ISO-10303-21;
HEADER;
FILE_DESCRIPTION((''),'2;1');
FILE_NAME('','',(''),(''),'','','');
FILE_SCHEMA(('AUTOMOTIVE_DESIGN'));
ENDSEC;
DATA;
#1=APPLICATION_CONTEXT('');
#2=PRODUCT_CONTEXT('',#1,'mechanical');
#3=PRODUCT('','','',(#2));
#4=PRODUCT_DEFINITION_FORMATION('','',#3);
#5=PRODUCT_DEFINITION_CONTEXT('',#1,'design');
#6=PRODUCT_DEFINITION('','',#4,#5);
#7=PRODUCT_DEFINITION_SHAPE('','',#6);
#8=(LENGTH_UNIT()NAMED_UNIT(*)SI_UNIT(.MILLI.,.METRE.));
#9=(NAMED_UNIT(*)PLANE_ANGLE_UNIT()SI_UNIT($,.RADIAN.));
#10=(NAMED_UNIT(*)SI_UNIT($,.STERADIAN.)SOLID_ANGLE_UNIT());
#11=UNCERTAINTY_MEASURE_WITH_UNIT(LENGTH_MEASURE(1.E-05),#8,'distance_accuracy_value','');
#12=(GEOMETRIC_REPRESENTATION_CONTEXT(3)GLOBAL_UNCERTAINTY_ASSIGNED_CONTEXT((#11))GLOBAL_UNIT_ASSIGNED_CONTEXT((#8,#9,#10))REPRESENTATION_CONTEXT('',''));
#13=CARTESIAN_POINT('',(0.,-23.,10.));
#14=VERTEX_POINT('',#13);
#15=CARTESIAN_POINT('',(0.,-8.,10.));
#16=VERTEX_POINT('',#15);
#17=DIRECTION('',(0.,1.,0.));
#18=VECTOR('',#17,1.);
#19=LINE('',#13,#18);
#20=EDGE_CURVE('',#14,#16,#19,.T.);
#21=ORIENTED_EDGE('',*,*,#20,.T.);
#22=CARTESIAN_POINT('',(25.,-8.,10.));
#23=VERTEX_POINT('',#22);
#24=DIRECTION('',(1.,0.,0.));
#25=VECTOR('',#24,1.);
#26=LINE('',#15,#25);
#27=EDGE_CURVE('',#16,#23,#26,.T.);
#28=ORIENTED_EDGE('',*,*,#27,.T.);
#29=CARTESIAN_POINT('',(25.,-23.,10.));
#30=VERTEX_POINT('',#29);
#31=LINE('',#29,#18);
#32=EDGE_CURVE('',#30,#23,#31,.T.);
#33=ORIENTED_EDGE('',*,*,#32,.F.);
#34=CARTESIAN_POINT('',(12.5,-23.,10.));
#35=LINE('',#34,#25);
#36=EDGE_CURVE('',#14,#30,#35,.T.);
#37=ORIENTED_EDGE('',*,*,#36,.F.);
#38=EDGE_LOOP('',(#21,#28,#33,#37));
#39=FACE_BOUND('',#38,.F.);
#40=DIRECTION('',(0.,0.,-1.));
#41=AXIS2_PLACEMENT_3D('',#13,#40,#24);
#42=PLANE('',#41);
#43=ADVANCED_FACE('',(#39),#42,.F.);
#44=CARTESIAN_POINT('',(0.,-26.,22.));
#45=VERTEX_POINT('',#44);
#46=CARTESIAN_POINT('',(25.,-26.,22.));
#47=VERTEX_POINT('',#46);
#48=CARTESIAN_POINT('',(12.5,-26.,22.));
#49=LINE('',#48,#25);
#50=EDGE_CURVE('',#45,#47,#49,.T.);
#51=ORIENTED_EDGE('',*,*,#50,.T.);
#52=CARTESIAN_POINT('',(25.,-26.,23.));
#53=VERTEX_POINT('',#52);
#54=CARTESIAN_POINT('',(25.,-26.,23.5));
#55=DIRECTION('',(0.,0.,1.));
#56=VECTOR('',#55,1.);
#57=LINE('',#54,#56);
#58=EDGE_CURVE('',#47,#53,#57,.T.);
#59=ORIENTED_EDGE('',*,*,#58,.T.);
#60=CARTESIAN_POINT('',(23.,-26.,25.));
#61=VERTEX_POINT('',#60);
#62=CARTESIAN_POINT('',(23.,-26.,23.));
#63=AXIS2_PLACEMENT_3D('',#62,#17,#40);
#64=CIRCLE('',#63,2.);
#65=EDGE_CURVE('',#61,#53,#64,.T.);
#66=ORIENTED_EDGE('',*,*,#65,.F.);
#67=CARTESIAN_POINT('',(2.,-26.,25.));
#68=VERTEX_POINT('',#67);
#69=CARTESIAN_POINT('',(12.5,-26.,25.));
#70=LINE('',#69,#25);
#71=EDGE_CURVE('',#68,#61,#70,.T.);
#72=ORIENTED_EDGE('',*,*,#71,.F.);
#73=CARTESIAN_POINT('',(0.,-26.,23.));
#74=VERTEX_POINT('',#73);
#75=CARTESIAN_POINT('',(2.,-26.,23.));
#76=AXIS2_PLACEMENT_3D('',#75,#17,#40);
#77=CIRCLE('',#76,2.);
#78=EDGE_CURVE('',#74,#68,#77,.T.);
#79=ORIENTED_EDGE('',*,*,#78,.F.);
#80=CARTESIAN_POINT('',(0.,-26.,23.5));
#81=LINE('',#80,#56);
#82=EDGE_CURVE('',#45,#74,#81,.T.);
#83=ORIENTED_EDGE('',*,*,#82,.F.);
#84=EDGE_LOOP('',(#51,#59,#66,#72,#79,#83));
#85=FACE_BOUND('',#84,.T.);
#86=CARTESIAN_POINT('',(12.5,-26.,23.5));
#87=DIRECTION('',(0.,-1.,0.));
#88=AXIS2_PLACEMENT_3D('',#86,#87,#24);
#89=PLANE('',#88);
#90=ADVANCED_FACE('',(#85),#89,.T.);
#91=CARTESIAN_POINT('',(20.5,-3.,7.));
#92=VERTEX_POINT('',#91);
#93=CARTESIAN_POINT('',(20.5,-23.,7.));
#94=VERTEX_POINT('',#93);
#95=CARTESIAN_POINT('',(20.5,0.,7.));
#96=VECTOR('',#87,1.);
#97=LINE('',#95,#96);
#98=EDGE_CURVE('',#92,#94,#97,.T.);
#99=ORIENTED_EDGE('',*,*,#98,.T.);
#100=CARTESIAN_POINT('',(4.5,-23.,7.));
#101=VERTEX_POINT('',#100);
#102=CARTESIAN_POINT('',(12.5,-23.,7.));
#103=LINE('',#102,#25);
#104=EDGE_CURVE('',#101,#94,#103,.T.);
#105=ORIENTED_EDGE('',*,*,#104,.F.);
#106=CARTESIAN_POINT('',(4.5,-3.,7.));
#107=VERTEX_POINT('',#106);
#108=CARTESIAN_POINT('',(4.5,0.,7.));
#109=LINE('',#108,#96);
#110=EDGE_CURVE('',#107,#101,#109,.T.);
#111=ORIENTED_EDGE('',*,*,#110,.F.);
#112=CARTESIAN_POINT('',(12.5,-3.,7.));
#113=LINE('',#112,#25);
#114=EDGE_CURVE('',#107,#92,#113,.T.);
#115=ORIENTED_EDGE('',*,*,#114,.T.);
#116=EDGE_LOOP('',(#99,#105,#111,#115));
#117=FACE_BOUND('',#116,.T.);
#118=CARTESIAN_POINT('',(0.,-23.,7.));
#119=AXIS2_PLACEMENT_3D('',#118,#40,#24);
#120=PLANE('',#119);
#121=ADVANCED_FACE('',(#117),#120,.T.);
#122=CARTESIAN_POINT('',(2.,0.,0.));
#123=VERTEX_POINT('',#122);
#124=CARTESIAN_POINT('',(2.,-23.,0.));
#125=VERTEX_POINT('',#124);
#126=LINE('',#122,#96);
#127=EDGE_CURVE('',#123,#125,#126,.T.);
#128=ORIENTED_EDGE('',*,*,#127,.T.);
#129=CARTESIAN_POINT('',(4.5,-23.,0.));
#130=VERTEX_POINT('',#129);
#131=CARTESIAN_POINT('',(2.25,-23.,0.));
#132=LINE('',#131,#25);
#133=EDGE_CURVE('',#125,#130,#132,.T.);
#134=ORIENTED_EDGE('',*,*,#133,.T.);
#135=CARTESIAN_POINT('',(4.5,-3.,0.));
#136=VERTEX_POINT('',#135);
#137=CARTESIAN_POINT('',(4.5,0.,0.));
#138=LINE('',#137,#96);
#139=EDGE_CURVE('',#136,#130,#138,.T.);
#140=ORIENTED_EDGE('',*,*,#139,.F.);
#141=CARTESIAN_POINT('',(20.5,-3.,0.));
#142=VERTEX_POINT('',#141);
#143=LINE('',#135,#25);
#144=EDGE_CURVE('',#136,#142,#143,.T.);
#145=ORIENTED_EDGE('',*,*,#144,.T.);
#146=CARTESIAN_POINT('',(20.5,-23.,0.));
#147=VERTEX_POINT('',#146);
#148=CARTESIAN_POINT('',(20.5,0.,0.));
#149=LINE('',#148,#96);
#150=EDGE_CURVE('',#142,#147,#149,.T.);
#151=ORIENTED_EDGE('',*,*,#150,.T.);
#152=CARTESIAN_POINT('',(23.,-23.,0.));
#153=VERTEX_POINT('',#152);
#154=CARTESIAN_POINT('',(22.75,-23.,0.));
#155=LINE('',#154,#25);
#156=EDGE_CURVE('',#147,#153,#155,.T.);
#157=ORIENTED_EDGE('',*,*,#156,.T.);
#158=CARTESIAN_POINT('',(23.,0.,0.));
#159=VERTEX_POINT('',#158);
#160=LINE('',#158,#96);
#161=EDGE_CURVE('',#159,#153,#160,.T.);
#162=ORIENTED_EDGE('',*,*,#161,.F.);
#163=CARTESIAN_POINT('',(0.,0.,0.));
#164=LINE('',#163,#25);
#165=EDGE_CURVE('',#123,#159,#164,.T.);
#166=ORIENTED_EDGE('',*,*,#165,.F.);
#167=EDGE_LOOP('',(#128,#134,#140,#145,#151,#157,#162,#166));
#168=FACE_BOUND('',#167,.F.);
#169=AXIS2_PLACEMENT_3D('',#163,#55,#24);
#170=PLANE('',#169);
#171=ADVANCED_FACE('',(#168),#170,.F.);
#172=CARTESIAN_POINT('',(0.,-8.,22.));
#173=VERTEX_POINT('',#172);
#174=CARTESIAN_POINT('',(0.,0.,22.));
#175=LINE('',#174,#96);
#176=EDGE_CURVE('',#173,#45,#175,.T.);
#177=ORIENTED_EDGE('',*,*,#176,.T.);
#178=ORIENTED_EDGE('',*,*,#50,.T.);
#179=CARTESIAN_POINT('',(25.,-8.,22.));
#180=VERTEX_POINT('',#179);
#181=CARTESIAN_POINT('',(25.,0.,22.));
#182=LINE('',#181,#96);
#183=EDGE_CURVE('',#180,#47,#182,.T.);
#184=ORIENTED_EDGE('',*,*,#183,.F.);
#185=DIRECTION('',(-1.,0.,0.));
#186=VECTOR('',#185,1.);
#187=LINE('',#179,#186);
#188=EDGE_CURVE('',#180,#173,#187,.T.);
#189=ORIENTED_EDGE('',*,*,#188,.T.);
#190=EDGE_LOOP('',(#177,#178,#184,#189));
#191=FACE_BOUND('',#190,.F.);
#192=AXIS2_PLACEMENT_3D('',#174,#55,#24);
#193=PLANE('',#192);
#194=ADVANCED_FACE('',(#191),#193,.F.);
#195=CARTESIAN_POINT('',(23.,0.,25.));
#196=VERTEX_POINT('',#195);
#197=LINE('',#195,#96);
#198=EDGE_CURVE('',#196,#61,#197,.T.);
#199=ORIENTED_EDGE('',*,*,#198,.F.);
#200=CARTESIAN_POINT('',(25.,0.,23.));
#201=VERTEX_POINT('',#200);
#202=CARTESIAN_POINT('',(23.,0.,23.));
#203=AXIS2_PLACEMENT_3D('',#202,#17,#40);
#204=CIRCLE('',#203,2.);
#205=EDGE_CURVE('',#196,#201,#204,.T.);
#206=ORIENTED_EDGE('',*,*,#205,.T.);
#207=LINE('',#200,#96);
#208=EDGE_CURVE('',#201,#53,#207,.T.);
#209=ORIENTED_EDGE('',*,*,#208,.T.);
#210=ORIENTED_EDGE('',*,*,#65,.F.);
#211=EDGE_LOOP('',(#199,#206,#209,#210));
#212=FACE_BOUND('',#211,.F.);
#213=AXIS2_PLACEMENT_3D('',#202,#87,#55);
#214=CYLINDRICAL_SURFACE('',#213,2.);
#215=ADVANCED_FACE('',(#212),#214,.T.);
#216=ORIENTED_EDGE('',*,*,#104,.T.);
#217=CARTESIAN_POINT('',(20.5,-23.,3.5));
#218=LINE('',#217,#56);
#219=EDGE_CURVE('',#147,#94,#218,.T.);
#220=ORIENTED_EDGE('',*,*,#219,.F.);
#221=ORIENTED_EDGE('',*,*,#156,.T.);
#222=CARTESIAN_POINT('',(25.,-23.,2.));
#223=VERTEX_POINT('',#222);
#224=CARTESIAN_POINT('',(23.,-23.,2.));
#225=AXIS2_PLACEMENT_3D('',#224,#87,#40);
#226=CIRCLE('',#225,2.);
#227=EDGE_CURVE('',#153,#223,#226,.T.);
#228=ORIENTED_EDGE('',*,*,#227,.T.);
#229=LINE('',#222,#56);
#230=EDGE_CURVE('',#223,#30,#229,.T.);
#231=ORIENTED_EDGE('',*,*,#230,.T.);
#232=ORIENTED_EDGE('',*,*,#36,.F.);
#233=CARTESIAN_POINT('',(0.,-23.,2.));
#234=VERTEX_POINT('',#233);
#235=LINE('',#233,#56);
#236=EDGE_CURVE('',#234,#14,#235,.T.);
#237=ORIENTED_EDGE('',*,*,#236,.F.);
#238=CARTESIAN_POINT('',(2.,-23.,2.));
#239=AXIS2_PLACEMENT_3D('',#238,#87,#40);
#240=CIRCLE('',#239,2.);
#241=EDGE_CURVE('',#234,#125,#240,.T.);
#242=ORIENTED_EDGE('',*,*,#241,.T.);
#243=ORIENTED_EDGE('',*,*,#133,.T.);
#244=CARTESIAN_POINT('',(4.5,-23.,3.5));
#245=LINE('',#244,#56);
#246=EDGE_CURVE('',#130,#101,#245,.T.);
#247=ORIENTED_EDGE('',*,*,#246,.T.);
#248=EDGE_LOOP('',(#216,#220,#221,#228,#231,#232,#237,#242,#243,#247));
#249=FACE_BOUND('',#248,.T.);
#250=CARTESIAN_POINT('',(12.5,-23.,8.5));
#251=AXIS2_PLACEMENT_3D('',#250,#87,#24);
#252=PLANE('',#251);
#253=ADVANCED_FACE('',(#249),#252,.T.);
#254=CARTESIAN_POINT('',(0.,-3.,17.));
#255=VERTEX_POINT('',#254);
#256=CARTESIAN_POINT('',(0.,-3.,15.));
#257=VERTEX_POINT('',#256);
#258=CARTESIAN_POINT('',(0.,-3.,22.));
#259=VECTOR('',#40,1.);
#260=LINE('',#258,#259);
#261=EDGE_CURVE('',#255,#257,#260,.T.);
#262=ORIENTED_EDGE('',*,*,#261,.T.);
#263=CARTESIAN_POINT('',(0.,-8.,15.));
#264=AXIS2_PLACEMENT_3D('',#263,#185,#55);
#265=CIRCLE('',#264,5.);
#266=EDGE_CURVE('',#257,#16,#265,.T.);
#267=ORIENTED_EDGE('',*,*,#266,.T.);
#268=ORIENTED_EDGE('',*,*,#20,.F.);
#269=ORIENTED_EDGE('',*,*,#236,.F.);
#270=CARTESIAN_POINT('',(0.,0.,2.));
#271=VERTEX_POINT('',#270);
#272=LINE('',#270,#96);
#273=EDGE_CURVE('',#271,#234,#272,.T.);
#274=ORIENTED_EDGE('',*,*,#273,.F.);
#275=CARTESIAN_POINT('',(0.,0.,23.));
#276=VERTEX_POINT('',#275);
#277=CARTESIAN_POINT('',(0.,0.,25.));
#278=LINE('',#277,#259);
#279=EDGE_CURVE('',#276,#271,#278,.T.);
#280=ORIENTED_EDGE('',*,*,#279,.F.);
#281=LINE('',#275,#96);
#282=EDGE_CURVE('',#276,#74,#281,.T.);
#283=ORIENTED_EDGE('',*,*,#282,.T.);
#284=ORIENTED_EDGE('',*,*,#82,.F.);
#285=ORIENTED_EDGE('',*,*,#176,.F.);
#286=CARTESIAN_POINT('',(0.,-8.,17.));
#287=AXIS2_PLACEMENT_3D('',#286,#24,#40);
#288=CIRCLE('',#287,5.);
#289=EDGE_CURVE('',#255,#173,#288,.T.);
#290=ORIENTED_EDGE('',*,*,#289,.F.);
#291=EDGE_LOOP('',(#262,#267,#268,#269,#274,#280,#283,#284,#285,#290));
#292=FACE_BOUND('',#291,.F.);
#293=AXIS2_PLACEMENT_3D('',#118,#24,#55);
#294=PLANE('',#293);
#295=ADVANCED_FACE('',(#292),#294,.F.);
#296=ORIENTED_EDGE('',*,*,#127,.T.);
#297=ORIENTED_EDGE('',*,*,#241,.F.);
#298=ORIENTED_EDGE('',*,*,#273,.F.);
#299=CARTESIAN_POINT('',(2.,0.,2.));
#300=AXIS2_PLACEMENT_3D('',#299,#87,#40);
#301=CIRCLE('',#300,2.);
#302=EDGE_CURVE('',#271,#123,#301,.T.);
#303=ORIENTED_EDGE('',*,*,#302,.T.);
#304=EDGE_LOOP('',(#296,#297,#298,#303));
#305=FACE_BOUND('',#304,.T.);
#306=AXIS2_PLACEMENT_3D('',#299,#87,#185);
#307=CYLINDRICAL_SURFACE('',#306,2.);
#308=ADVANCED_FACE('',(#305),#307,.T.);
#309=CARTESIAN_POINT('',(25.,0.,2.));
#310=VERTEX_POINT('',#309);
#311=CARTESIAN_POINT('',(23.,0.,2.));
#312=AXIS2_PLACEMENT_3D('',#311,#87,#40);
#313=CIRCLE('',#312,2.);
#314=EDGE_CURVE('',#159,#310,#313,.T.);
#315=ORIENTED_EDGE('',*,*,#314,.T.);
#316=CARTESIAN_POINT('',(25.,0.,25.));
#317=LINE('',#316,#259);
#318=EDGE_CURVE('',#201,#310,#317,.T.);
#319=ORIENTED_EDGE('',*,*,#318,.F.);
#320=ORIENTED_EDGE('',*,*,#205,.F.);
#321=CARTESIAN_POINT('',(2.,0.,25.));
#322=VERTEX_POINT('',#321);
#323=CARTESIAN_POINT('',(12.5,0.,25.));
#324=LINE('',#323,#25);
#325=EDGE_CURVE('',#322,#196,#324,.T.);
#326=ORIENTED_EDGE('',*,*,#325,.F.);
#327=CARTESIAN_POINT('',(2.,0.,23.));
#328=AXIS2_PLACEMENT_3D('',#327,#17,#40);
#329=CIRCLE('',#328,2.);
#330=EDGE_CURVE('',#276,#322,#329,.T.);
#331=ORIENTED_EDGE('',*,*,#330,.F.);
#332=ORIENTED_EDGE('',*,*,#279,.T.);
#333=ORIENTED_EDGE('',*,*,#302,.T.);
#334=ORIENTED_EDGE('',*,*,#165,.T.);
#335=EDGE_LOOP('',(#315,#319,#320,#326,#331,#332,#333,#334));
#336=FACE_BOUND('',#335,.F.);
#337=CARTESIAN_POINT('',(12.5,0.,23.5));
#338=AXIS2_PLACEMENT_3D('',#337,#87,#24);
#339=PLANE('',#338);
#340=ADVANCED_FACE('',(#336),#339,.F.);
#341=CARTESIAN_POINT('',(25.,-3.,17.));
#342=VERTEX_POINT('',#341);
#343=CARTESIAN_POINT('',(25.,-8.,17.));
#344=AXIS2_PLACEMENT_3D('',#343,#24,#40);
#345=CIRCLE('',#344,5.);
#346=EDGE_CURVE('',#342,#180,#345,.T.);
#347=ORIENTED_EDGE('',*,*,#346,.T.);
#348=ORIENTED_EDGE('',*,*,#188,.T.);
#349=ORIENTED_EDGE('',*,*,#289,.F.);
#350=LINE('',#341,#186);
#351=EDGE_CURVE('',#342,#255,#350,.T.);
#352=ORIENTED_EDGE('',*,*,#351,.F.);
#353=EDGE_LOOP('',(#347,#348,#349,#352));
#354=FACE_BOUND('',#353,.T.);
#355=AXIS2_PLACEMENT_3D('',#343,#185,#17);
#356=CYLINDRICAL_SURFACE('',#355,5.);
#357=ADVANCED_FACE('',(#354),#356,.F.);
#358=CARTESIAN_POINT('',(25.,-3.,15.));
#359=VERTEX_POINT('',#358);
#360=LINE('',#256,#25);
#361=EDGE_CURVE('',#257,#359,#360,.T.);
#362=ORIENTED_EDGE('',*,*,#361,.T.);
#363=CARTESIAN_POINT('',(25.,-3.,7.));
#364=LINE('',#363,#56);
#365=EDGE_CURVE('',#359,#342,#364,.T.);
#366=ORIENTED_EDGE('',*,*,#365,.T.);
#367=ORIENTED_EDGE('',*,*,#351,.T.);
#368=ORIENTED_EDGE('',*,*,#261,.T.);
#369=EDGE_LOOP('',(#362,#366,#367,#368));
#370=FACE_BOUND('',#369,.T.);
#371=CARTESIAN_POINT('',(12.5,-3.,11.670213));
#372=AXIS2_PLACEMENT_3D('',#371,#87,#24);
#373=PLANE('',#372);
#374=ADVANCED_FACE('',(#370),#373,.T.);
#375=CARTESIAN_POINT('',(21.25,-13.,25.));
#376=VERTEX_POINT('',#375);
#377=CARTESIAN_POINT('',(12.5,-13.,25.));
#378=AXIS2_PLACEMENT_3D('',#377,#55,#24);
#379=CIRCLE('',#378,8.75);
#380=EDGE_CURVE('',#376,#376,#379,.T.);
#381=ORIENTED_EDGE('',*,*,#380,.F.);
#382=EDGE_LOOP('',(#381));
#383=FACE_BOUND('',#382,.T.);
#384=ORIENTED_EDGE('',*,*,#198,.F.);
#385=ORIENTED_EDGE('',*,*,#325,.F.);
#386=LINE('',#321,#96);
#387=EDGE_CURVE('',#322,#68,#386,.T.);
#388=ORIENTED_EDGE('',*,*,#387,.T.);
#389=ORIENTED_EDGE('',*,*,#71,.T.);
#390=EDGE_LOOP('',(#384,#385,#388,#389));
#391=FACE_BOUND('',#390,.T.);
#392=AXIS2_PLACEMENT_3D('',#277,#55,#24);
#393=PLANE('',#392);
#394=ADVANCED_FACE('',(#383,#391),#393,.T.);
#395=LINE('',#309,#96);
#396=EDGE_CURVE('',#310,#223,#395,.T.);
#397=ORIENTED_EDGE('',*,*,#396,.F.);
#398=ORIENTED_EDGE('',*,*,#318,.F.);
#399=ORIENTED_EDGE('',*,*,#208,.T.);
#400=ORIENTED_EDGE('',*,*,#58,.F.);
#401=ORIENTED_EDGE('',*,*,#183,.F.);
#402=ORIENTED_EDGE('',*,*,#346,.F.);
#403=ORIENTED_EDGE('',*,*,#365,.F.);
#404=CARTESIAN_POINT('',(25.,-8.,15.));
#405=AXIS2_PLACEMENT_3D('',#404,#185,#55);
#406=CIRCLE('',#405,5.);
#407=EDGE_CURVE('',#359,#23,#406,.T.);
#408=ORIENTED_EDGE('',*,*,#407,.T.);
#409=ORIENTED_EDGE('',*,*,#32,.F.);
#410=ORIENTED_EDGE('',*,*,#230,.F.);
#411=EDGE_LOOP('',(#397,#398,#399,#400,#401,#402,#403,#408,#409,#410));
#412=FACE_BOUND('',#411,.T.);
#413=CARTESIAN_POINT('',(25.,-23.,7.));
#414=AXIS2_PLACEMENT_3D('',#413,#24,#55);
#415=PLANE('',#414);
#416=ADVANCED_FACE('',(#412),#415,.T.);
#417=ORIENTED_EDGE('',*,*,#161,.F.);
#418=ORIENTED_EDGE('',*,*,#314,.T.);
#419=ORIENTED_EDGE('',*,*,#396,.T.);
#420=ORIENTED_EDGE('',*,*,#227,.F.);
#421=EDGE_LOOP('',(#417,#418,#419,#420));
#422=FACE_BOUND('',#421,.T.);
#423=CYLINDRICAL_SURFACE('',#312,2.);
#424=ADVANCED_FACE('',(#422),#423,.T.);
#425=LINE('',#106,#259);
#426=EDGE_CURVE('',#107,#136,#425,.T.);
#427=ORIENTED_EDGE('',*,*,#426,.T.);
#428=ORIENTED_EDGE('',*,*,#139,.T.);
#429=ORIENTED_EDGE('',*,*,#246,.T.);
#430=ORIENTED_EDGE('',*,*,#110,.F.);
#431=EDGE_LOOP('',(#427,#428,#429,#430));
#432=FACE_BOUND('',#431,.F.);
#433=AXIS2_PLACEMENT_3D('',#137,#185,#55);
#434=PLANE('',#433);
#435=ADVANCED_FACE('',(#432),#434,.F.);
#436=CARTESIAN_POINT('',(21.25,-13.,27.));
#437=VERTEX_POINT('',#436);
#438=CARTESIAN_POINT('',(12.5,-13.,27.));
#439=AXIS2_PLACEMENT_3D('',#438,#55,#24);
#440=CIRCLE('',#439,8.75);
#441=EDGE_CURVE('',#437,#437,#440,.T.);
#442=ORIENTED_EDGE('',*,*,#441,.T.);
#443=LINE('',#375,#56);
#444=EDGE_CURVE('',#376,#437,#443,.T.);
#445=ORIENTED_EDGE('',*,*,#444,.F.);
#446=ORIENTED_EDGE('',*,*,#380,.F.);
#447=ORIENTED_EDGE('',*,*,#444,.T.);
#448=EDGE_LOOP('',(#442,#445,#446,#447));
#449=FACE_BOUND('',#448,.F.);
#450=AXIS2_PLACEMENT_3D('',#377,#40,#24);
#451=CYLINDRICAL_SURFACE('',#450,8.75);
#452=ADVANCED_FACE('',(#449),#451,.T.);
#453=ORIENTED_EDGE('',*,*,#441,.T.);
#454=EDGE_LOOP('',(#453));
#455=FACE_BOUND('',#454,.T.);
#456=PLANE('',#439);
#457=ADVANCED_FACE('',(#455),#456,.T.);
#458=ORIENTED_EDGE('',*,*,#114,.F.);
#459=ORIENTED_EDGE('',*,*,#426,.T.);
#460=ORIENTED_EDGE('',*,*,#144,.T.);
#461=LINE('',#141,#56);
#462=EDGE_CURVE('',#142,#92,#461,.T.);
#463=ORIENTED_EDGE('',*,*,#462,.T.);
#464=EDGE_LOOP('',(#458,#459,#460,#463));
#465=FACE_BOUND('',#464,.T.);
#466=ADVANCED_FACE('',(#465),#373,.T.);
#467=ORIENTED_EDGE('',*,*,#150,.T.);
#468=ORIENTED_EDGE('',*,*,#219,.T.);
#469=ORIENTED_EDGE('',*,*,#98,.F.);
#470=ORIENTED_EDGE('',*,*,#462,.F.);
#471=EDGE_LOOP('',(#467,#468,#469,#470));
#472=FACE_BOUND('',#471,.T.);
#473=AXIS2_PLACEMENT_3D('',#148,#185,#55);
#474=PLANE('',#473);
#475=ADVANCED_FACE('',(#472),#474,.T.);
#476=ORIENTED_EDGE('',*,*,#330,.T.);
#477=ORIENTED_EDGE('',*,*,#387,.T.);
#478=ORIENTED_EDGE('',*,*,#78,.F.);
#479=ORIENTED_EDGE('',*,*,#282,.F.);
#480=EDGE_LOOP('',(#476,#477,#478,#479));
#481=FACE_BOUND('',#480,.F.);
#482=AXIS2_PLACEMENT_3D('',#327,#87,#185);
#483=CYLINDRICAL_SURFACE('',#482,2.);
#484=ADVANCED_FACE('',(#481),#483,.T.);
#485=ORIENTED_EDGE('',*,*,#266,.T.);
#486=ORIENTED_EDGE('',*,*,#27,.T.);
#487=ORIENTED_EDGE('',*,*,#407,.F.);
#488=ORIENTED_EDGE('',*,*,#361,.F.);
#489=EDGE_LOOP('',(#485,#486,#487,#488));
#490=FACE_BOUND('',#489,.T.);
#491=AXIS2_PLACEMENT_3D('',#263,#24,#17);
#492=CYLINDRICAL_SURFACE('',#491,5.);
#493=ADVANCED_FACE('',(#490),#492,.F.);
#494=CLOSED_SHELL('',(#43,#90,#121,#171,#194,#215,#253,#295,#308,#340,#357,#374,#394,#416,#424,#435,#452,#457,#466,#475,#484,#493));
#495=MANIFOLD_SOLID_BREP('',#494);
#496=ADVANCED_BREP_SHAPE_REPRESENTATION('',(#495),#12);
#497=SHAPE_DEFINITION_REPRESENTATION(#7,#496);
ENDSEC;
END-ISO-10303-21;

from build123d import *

# Parameters (mm, degrees)
F1_DEPTH = 3
F0_W     = 4.5
F0_H     = 7
F2_DEPTH = 23
F0_W_2   = 25
F0_H_2   = 3
F3_DEPTH = 26
F4_R     = 8.75
F5_DEPTH = 2
F6_R     = 2
F7_W     = 25
F7_H     = 3
F8_DEPTH = 20
F9_R     = 5


with BuildPart() as f1:
    # F0 (on Front) → F1 (new body)
    with BuildSketch(Plane.XZ):
        Polygon((4.5, 7), (4.5, 0), (20.5, 0), (20.5, 7), (25, 7), (25, 22), (0, 22), (0, 7), align=None)
    extrude(amount=F1_DEPTH)

    # F0 (on Front) → F2 (join)
    with BuildSketch(Plane.XZ):
        with Locations((2.25, 3.5)):
            Rectangle(F0_W, F0_H)
        with Locations((22.75, 3.5)):
            Rectangle(F0_W, F0_H)
    extrude(amount=F2_DEPTH)

    # F0 (on Front) → F3 (join)
    with BuildSketch(Plane.XZ):
        with Locations((12.5, 23.5)):
            Rectangle(F0_W_2, F0_H_2)
    extrude(amount=F3_DEPTH)

    # F4 (on face) → F5 (join)
    with BuildSketch(Plane.XY.offset(25)):
        with Locations((12.5, -13)):
            Circle(F4_R)
    extrude(amount=F5_DEPTH)

    # F6
    f6_edges = [f1.edges().sort_by_distance(p)[0] for p in [
        (0, -13, 25),
        (25, -13, 25),
        (0, -11.5, 0),
        (25, -11.5, 0),
    ]]
    fillet(f6_edges, radius=F6_R)

    # F7 (on face) → F8 (join, through all)
    with BuildSketch(Plane.XZ.offset(23)):
        with Locations((12.5, 8.5)):
            Rectangle(F7_W, F7_H)
    extrude(amount=-F8_DEPTH)

    # F9
    f9_edges = [f1.edges().sort_by_distance(p)[0] for p in [
        (12.5, -3, 10),
        (12.5, -3, 22),
    ]]
    fillet(f9_edges, radius=F9_R)


solid = f1.part
